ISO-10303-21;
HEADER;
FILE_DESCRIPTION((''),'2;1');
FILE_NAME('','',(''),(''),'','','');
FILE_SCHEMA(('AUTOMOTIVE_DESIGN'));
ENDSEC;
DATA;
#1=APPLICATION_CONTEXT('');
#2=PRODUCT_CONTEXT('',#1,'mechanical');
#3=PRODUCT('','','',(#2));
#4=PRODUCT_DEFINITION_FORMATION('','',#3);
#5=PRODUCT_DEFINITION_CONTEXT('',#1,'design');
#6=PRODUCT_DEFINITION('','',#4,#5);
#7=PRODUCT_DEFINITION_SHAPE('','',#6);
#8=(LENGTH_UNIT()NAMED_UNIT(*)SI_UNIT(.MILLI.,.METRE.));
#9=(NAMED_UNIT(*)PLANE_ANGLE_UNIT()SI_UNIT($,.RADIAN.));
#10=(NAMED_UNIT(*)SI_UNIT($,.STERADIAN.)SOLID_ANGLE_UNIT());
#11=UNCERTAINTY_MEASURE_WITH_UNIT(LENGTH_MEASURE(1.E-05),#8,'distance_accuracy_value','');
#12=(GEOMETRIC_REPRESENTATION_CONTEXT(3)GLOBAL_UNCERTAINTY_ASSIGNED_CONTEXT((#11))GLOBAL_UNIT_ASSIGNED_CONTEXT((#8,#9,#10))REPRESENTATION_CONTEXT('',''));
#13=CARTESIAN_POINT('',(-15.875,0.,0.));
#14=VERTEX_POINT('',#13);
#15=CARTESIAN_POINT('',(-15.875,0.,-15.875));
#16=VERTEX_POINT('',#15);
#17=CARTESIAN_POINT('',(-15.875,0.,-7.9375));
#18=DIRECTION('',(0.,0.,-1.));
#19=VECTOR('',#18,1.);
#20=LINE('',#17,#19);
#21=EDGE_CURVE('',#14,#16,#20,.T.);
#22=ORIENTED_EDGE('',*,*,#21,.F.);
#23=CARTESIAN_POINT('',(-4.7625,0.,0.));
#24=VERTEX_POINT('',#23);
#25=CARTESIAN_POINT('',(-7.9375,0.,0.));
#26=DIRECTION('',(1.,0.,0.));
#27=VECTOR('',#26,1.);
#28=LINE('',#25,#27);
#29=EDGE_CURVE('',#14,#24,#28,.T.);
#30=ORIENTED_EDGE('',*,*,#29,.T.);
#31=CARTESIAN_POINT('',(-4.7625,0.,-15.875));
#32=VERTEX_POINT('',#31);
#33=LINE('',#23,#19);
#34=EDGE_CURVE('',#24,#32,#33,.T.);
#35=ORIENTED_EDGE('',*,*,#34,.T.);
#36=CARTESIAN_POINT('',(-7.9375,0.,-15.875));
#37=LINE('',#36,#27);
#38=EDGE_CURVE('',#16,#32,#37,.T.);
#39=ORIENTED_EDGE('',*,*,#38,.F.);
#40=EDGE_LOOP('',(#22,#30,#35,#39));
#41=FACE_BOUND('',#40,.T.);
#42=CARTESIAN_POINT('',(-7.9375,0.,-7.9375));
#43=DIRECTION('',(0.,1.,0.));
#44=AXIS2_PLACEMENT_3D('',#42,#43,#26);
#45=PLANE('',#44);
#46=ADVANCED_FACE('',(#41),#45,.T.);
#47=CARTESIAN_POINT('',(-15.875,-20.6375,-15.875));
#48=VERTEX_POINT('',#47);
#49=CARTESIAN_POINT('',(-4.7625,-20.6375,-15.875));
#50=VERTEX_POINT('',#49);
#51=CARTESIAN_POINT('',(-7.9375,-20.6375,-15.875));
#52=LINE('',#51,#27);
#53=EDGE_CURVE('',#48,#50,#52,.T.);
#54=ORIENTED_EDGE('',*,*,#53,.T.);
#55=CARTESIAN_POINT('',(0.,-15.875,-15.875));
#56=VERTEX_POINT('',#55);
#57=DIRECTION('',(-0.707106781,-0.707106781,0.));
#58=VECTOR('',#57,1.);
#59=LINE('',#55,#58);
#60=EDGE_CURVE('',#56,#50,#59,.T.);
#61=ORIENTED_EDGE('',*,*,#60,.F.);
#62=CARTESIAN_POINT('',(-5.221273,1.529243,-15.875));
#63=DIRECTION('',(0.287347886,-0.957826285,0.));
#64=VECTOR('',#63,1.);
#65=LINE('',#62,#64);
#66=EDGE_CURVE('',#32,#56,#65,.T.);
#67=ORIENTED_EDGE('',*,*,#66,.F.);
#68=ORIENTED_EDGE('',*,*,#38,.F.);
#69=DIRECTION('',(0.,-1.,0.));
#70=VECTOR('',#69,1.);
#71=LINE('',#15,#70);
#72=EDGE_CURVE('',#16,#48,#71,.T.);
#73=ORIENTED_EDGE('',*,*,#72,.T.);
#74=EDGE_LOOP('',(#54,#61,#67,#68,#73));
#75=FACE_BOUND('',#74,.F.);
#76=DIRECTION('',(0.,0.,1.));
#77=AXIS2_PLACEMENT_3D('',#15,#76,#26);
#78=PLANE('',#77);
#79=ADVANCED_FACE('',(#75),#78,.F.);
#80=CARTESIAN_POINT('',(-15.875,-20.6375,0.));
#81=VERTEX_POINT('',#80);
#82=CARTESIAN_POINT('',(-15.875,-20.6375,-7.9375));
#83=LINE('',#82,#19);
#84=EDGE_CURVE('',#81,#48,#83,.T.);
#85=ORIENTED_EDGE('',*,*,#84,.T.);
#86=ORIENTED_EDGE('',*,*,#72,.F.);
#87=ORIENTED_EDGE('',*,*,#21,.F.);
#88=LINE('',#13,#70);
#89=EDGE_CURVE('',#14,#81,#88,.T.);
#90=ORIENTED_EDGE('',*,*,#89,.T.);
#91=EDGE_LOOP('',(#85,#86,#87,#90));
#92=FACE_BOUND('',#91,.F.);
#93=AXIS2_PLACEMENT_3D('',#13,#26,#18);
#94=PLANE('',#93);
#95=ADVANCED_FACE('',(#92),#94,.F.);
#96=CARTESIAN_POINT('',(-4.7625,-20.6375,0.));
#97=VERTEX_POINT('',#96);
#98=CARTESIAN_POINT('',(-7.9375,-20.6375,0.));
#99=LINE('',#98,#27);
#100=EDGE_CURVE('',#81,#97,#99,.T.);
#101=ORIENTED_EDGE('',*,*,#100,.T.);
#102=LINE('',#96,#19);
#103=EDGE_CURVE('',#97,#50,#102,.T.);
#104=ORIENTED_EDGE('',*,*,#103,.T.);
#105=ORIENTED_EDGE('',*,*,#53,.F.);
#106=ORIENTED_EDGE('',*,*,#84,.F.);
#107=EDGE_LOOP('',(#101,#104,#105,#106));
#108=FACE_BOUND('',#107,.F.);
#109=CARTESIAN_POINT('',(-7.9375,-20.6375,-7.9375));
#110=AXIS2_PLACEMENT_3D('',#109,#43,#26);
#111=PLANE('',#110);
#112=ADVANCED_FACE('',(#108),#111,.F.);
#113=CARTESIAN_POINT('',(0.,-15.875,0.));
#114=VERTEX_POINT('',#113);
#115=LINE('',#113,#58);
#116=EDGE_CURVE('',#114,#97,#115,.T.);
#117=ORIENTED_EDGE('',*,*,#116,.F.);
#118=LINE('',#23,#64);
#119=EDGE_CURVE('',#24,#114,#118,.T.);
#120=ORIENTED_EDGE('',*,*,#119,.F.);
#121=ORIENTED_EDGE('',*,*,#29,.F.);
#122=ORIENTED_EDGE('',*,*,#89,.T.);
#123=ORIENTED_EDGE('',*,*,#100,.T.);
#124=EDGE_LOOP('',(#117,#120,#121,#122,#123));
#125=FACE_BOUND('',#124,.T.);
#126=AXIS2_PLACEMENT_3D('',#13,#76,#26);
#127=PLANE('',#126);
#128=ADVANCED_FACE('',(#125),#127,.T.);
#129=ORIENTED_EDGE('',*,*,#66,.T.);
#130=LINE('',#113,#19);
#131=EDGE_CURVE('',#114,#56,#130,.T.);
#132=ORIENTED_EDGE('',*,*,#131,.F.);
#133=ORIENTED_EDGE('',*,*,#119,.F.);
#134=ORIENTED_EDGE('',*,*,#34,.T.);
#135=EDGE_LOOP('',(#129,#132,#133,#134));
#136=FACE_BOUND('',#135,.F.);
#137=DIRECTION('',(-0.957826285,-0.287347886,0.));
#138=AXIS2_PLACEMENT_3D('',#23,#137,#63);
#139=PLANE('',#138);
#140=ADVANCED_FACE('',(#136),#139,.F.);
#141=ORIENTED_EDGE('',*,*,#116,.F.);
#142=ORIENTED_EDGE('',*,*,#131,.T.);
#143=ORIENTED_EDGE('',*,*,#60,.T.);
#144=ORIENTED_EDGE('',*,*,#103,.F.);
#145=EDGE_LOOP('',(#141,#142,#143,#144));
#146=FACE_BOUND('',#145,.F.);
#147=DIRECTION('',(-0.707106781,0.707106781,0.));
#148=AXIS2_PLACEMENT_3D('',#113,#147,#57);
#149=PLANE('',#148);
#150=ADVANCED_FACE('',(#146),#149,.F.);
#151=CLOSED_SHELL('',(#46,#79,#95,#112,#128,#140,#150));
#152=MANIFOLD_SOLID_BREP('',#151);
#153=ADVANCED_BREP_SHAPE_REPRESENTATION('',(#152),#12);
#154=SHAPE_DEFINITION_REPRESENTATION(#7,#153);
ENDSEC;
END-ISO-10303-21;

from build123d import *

# Parameters (mm, degrees)
F0_W     = 15.875
F0_H     = 15.875
F1_DEPTH = 20.6375
F3_DEPTH = 15.876
F5_DEPTH = 15.876
F8_ANGLE = 90


with BuildPart() as f1:
    # F0 (on Top) → F1 (new body)
    with BuildSketch(Plane.XY):
        Rectangle(F0_W, F0_H)
    extrude(amount=-F1_DEPTH)

    # F2 (on face) → F3 (cut, through all)
    with BuildSketch(Plane.XZ.offset(7.9375)):
        Polygon((7.9375, 0), (3.175, 0), (7.9375, -15.875), align=None)
    extrude(amount=-F3_DEPTH, mode=Mode.SUBTRACT)

    # F4 (on face) → F5 (cut, through all)
    with BuildSketch(Plane.XZ.offset(7.9375)):
        Polygon((7.9375, -20.6375), (7.9375, -15.875), (3.175, -20.6375), align=None)
    extrude(amount=-F5_DEPTH, mode=Mode.SUBTRACT)


with BuildPart() as f1_1:
    # F6: moved
    add(f1.part.moved(Location((-7.9375, 0, 0))))


with BuildPart() as f1_2:
    # F7: moved
    add(f1_1.part.moved(Location((0, 7.9375, 0))))


with BuildPart() as f1_3:
    # F8: moved
    add(f1_2.part.rotate(Axis((-10.31875, 0, 0), (-1, 0, 0)), F8_ANGLE))


solid = f1_3.part
